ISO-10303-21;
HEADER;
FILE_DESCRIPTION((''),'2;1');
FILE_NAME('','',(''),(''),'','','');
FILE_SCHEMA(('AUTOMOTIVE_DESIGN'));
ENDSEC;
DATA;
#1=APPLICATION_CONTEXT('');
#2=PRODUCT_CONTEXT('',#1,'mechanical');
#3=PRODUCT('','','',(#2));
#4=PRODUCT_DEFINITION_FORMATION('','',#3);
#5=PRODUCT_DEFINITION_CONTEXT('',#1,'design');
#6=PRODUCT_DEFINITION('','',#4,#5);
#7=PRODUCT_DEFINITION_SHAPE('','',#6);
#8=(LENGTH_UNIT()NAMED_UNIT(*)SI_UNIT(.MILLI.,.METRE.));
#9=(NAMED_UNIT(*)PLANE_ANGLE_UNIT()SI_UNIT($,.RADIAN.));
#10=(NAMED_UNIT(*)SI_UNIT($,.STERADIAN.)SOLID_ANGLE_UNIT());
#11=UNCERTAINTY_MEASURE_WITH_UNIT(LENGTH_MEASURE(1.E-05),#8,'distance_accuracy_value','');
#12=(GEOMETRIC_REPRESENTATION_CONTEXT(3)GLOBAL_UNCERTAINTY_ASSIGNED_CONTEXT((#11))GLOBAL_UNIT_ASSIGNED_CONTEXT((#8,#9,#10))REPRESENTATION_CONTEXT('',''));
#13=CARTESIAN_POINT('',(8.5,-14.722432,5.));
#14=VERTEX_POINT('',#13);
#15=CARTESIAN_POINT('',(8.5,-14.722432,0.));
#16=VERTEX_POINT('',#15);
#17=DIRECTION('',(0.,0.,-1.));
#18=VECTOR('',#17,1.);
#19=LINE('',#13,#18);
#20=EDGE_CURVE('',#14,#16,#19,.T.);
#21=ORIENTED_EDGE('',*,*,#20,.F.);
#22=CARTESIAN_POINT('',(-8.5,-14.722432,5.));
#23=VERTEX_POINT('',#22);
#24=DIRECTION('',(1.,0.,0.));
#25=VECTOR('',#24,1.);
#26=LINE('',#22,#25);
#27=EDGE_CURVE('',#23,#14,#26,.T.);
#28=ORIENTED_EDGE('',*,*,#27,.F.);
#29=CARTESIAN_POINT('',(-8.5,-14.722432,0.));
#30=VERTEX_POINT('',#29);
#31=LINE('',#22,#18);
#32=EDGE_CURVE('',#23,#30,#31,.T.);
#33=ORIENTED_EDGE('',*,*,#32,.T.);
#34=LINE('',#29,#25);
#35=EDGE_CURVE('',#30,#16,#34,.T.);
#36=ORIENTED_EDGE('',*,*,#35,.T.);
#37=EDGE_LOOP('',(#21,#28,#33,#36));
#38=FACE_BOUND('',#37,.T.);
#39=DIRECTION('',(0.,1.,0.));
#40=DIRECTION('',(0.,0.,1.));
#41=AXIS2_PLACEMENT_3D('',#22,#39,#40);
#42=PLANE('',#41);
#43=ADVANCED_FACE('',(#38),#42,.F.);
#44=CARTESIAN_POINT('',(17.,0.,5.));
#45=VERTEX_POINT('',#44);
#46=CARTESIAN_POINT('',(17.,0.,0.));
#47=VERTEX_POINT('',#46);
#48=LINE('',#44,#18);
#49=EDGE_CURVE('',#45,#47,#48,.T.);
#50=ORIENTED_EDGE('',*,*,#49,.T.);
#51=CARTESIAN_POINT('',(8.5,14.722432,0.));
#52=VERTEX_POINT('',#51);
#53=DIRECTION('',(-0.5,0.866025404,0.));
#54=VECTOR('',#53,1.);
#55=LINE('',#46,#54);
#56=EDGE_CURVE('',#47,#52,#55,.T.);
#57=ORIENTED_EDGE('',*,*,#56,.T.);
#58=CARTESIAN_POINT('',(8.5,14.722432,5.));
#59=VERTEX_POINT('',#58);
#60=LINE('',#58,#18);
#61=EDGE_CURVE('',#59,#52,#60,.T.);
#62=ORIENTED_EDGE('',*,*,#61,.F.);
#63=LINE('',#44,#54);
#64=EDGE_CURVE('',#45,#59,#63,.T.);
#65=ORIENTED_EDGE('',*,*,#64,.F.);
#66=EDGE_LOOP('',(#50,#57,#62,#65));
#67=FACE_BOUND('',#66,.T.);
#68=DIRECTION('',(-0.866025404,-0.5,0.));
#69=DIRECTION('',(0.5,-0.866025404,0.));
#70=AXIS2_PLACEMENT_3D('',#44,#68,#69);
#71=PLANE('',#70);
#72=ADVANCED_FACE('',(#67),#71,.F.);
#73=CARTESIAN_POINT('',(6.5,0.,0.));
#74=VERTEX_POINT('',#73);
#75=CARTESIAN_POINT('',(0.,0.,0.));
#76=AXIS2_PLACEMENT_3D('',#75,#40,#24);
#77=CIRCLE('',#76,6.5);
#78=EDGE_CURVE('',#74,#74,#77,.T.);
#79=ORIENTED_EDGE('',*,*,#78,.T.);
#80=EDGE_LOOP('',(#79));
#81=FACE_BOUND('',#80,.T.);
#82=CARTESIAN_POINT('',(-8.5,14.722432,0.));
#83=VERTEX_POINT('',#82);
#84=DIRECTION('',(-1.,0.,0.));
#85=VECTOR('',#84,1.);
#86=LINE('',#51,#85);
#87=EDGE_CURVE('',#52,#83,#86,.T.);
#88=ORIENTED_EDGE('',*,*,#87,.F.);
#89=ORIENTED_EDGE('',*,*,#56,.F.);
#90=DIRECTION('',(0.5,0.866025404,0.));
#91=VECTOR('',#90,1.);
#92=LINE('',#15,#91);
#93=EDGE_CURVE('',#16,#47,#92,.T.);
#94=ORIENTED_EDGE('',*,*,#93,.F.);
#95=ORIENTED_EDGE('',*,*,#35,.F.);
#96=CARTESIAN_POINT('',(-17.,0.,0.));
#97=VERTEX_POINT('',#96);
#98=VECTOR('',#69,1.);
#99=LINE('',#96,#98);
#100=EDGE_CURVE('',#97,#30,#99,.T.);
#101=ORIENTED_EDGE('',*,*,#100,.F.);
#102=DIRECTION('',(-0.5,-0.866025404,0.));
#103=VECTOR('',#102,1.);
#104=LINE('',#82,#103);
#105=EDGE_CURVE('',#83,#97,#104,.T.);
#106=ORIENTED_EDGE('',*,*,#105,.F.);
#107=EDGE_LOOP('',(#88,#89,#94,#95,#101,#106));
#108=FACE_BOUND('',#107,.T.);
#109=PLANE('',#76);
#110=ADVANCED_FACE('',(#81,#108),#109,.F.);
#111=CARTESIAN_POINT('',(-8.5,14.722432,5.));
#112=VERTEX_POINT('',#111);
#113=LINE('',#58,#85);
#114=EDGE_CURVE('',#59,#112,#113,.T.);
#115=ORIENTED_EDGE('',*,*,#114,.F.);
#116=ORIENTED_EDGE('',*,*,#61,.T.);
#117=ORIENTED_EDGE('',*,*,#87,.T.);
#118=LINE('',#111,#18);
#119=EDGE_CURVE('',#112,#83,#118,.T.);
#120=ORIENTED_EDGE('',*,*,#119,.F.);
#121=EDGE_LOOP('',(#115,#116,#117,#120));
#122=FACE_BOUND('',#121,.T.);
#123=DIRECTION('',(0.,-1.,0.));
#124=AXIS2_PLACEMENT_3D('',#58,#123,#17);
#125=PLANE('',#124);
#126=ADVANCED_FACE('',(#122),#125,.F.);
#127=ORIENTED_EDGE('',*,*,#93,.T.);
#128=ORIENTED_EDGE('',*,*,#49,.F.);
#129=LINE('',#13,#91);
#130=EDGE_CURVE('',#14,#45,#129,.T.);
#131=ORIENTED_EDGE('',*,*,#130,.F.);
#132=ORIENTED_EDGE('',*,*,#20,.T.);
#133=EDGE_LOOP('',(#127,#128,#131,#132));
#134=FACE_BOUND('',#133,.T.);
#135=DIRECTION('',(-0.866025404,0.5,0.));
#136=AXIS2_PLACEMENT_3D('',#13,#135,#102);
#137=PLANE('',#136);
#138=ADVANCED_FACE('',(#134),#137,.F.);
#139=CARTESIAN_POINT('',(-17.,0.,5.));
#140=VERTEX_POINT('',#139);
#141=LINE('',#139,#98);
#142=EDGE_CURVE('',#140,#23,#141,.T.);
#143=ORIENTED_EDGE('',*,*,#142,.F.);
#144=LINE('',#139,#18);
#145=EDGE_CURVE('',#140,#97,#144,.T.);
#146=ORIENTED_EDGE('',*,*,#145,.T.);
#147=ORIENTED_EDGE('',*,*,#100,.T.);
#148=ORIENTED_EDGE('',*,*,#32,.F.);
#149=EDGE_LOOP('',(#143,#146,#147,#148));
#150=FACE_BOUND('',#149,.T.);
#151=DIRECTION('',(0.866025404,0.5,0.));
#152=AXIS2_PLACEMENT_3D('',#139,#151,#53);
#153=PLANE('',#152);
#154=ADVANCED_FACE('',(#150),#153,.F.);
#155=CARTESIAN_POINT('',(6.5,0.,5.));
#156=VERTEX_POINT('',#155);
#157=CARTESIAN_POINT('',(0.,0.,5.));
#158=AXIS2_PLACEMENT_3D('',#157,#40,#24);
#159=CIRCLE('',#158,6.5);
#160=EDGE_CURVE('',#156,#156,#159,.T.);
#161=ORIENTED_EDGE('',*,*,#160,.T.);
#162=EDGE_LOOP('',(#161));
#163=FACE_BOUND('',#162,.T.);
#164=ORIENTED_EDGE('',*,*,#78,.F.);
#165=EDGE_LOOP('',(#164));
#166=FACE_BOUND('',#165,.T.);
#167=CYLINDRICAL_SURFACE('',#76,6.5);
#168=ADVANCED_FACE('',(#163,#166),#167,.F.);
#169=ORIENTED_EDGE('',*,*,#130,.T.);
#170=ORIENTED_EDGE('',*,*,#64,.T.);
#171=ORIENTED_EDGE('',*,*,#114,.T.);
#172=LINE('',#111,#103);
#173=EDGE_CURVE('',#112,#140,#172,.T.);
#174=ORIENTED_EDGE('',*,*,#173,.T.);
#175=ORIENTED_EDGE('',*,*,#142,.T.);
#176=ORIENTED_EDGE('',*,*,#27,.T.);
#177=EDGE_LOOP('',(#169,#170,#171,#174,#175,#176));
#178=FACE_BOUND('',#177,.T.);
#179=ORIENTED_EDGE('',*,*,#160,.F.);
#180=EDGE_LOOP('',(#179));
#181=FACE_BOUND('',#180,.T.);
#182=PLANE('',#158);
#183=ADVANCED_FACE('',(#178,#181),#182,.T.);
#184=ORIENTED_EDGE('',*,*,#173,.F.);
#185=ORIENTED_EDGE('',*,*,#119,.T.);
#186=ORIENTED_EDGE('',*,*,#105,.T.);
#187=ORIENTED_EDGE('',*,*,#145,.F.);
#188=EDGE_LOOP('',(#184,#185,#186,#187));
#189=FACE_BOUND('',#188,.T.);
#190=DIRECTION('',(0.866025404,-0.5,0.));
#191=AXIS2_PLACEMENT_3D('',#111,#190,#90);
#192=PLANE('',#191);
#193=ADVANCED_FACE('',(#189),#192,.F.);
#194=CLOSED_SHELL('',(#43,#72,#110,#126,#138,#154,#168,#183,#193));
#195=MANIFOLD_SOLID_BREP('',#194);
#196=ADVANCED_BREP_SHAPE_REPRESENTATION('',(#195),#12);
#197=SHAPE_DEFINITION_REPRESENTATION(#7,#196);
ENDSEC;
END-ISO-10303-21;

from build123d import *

# Parameters (mm, degrees)
BOSS_EXTRUDE1_DEPTH = 5
SKETCH2_R           = 6.5
CUT_EXTRUDE1_DEPTH  = 24.038012067


with BuildPart() as part:
    # Sketch1 → Boss-Extrude1 (new body)
    with BuildSketch(Plane.XY):
        Polygon((-8.5, 14.722431864), (-17, 0), (-8.5, -14.722431864), (8.5, -14.722431864), (17, 0), (8.5, 14.722431864), align=None)
    extrude(amount=BOSS_EXTRUDE1_DEPTH)

    # Sketch2 → Cut-Extrude1 (cut, through all)
    with BuildSketch(Plane.XY.offset(5)):
        Circle(SKETCH2_R)
    extrude(amount=-CUT_EXTRUDE1_DEPTH, mode=Mode.SUBTRACT)


solid = part.part
